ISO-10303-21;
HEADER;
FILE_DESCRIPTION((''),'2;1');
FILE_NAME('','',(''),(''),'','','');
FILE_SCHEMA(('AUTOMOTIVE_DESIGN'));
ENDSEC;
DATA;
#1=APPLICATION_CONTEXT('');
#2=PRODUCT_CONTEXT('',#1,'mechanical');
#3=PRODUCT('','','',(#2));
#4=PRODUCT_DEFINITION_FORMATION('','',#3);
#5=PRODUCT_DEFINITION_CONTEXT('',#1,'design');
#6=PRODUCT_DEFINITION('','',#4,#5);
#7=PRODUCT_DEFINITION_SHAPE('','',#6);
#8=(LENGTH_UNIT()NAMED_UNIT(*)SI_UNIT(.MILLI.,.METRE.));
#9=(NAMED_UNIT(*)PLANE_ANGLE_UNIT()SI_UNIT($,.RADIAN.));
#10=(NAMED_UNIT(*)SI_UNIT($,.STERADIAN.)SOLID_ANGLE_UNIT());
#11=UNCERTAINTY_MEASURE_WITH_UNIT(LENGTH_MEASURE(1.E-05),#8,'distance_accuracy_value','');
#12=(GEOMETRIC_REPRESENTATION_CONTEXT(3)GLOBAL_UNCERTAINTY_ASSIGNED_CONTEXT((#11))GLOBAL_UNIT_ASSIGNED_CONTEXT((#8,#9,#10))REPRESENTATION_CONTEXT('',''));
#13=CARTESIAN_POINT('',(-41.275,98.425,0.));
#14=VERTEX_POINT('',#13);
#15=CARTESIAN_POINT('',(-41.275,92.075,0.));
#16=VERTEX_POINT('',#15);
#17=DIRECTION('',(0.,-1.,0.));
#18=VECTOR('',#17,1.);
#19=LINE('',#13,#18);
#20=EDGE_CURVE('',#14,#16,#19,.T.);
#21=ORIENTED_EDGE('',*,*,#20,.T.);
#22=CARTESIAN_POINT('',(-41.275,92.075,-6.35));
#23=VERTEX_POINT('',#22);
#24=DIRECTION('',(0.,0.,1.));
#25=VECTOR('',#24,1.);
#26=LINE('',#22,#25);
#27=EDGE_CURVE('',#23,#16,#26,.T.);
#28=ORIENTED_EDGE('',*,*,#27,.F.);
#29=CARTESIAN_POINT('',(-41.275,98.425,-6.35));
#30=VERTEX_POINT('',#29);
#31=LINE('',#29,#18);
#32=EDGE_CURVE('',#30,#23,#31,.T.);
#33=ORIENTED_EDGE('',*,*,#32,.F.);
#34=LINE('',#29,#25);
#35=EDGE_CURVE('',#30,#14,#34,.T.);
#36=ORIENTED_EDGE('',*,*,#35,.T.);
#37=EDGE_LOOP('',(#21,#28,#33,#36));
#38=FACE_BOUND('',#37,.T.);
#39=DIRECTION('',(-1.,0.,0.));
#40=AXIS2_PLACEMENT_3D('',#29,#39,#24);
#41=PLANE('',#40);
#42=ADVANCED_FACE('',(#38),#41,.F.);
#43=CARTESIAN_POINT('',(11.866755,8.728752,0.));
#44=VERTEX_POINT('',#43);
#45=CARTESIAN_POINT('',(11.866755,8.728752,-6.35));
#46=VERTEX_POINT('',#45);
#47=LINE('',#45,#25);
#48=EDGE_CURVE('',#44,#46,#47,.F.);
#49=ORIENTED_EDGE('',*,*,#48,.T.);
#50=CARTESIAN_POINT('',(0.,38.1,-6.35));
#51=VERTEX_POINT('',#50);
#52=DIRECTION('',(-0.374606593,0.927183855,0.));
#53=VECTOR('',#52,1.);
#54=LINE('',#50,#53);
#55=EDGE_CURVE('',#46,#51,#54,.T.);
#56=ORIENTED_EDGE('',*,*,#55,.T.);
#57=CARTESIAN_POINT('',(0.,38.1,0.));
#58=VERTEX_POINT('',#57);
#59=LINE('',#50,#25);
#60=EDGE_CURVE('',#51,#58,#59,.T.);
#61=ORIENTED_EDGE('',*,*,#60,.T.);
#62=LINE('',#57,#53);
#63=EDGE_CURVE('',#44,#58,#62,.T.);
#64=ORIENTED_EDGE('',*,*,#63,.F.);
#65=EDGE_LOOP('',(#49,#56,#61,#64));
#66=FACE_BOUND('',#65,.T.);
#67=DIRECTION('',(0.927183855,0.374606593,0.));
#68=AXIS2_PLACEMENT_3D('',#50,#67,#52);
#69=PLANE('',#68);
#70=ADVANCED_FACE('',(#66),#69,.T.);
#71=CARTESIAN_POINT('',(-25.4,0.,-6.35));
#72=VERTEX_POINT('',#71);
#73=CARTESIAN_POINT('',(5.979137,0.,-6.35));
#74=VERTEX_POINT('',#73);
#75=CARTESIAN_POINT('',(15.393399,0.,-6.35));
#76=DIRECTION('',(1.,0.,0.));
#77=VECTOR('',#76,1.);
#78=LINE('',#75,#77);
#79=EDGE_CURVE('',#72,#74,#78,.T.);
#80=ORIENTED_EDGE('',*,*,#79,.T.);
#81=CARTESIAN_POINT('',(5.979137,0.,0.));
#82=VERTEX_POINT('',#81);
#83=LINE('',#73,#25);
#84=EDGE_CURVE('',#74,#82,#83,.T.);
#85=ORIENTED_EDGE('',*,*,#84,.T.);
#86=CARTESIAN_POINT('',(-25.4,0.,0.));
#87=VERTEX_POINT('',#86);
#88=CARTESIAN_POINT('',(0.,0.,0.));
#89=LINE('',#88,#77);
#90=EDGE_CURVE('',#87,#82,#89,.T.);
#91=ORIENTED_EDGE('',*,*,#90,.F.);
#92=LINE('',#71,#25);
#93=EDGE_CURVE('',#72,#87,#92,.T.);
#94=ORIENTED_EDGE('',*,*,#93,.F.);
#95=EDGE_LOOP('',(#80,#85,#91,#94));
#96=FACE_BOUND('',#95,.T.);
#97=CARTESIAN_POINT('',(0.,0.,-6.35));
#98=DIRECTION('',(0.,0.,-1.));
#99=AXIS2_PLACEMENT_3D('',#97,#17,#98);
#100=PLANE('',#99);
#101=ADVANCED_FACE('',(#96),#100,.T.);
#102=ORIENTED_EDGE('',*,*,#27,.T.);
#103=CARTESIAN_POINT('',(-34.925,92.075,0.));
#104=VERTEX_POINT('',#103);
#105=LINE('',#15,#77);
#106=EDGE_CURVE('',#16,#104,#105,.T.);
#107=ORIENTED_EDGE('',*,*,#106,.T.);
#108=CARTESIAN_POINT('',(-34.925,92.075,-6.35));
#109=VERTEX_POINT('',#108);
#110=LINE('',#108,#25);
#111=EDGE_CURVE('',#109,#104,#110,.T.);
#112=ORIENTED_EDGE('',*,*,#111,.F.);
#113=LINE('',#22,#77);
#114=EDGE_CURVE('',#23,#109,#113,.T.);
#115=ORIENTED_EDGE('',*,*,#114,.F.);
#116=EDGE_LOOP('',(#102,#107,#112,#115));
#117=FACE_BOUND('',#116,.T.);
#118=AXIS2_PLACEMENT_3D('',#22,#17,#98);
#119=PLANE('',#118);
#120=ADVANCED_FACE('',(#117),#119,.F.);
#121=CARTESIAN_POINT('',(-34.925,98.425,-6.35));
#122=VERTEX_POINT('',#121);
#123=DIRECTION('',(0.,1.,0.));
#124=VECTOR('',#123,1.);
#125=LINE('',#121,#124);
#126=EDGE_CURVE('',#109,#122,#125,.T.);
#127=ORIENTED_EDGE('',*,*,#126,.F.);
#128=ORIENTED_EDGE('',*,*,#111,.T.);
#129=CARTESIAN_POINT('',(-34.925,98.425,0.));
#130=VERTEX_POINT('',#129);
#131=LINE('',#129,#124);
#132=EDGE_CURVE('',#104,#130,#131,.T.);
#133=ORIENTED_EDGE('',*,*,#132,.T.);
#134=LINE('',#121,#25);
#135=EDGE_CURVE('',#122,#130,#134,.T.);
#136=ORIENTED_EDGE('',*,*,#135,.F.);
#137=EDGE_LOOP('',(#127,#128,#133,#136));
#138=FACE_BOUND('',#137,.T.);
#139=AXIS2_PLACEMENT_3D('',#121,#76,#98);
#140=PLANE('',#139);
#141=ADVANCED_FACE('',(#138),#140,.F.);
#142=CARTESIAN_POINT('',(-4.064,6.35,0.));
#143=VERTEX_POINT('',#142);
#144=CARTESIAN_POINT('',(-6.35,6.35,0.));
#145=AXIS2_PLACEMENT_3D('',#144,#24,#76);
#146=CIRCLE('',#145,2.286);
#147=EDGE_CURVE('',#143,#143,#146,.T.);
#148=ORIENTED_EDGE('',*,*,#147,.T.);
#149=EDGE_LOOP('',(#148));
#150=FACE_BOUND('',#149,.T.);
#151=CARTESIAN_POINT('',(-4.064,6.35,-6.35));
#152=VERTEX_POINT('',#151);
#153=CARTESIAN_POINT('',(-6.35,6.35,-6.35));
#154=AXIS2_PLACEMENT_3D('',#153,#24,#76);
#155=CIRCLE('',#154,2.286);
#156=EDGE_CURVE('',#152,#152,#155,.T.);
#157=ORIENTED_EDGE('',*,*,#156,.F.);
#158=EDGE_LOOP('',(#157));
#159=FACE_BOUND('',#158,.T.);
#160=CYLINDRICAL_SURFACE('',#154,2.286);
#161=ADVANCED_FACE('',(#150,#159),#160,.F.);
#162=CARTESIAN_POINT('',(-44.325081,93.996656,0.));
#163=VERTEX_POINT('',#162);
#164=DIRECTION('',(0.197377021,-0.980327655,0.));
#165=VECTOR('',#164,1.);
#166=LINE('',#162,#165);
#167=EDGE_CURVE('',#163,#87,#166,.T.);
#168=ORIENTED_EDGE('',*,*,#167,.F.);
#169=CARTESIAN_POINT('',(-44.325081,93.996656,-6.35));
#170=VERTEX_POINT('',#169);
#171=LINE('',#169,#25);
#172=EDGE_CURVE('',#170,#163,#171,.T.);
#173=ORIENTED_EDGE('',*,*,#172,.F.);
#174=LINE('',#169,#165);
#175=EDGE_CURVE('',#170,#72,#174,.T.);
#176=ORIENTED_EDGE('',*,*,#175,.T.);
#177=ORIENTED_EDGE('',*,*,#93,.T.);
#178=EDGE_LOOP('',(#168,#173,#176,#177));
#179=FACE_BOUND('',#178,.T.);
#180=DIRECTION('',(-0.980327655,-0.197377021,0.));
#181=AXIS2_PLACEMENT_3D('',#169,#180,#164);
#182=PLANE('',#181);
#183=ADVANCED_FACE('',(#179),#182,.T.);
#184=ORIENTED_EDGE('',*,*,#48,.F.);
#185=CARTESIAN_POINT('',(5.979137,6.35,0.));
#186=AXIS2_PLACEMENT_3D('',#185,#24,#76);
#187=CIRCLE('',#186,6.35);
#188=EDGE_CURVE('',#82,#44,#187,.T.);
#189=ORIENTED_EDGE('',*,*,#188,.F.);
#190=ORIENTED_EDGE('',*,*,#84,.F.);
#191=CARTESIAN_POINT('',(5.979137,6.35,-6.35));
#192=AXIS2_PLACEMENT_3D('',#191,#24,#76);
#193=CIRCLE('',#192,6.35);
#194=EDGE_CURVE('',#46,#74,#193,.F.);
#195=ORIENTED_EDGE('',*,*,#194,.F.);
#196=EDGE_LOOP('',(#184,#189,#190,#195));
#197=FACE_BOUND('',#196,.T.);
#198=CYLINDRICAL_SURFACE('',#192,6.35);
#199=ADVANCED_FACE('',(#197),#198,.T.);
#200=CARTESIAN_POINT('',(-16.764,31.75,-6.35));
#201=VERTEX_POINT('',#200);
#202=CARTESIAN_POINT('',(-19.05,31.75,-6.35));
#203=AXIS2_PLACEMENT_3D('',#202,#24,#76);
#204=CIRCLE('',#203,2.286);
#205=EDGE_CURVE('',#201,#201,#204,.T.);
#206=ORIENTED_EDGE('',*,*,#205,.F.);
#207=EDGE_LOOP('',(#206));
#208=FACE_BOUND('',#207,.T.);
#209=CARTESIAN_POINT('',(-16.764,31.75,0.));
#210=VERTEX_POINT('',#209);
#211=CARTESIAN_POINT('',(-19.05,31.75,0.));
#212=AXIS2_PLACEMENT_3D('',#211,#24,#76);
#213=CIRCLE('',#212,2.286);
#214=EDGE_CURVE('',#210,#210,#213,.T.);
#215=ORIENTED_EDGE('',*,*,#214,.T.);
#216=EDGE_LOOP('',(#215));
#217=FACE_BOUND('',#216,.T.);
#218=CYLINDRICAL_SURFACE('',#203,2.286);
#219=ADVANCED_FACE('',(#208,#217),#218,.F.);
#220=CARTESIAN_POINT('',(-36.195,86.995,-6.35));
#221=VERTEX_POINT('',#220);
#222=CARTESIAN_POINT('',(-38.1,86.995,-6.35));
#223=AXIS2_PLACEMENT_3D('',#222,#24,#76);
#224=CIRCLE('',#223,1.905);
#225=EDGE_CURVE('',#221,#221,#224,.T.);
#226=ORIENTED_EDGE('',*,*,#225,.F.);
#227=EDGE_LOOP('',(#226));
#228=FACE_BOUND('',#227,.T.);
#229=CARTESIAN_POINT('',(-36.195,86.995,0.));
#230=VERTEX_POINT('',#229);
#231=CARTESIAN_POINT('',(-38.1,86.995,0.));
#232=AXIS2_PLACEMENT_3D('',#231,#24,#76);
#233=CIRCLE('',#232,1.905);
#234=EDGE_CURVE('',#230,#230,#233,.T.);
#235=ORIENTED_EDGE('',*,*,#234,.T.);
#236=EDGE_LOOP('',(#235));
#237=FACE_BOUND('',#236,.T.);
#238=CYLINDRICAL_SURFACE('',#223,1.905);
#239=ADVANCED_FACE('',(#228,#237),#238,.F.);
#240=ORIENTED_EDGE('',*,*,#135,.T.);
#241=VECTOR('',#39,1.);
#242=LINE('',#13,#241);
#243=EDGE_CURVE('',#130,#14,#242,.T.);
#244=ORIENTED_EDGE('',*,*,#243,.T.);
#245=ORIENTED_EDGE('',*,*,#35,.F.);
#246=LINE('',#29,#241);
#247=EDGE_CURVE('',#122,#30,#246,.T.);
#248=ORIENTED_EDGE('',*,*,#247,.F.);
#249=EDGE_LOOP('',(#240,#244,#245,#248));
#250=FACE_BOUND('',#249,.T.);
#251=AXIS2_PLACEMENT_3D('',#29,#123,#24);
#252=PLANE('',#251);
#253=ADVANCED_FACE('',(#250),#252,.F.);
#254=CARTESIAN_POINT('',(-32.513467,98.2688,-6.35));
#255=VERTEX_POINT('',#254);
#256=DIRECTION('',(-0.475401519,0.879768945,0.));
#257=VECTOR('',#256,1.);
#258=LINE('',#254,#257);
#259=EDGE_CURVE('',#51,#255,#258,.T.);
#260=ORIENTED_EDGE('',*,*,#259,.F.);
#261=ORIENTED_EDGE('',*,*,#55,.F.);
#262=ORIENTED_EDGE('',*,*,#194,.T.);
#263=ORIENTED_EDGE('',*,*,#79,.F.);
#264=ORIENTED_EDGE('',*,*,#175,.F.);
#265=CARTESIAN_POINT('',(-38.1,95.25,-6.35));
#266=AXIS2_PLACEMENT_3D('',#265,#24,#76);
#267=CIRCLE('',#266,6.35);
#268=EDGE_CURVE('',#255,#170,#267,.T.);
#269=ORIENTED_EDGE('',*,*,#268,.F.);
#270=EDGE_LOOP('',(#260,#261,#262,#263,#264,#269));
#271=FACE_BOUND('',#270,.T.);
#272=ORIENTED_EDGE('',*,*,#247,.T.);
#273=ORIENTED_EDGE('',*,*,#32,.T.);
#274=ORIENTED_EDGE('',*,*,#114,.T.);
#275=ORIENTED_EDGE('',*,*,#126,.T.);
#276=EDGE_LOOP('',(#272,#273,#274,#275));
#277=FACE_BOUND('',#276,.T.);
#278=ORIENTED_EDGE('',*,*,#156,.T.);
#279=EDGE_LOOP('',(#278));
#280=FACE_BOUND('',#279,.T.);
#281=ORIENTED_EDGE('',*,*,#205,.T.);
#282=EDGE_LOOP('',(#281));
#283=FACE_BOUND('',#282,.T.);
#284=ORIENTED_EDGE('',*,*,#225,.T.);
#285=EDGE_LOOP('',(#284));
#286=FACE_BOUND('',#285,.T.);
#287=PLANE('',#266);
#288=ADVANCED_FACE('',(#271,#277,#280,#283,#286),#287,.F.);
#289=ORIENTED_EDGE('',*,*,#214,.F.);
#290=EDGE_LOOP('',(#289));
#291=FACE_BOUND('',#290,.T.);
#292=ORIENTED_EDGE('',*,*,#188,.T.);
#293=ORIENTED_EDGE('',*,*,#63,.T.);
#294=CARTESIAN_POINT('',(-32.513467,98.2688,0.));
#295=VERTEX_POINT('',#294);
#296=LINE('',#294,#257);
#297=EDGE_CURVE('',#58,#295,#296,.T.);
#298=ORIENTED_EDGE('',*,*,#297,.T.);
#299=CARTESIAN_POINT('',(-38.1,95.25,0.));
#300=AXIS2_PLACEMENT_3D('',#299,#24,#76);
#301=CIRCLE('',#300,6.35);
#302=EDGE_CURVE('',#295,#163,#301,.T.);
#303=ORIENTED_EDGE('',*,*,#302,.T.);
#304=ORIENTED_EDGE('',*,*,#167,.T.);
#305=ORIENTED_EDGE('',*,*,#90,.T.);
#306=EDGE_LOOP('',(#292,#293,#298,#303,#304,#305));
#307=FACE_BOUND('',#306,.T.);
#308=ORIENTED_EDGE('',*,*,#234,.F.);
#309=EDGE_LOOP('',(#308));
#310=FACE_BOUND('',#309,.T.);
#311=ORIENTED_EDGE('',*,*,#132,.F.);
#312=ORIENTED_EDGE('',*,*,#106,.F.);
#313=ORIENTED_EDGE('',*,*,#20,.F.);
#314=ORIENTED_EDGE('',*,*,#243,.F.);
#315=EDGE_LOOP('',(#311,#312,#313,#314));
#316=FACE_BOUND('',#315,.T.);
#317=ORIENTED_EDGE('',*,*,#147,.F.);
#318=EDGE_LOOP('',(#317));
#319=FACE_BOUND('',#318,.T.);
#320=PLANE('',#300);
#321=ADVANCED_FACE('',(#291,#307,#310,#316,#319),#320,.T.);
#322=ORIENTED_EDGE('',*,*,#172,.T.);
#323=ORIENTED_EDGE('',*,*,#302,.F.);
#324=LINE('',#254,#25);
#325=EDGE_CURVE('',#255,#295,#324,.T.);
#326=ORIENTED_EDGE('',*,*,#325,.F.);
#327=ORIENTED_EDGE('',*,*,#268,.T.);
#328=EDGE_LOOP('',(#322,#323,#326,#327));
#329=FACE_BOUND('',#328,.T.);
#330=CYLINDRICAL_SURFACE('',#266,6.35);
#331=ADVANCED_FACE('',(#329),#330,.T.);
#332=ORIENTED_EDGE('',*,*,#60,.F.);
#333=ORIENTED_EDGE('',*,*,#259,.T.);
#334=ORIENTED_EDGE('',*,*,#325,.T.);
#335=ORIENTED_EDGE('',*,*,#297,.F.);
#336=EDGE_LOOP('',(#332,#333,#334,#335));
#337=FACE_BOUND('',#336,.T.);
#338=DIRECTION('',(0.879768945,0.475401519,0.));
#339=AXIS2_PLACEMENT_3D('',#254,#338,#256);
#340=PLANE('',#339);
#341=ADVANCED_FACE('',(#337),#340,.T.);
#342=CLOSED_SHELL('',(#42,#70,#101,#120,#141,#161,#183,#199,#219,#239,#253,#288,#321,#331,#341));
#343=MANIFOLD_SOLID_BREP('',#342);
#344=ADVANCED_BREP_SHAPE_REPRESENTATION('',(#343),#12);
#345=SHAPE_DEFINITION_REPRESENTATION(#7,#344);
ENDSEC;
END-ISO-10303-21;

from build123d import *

# Parameters (mm, degrees)
SKETCH1_R           = 2.286
SKETCH1_R_2         = 1.905
SKETCH1_W           = 6.35
SKETCH1_H           = 6.35
BOSS_EXTRUDE1_DEPTH = 6.35
FILLET1_R           = 6.35


with BuildPart() as part:
    # Sketch1 → Boss-Extrude1 (new body)
    with BuildSketch(Plane.XY):
        with BuildLine():
            Line((0, 0), (-25.4, 0))
            Line((-25.4, 0), (-44.325080611, 93.996655919))
            ThreePointArc((-44.325080611, 93.996655919), (-40.259800646, 101.221411991), (-32.513467201, 98.268799644))
            Line((-32.513467201, 98.268799644), (0, 38.1))
            Line((0, 38.1), (15.393399204, 0))
            Line((15.393399204, 0), (0, 0))
        make_face()
        with Locations((-6.35, 6.35)):
            Circle(SKETCH1_R, mode=Mode.SUBTRACT)
        with Locations((-19.05, 31.75)):
            Circle(SKETCH1_R, mode=Mode.SUBTRACT)
        with Locations((-38.1, 86.995)):
            Circle(SKETCH1_R_2, mode=Mode.SUBTRACT)
        with Locations((-38.1, 95.25)):
            Rectangle(SKETCH1_W, SKETCH1_H, mode=Mode.SUBTRACT)
    extrude(amount=-BOSS_EXTRUDE1_DEPTH)

    # Fillet1
    fillet1_edges = [part.edges().sort_by_distance(p)[0] for p in [
        (15.393399204, 0, -3.175),
    ]]
    fillet(fillet1_edges, radius=FILLET1_R)


solid = part.part
